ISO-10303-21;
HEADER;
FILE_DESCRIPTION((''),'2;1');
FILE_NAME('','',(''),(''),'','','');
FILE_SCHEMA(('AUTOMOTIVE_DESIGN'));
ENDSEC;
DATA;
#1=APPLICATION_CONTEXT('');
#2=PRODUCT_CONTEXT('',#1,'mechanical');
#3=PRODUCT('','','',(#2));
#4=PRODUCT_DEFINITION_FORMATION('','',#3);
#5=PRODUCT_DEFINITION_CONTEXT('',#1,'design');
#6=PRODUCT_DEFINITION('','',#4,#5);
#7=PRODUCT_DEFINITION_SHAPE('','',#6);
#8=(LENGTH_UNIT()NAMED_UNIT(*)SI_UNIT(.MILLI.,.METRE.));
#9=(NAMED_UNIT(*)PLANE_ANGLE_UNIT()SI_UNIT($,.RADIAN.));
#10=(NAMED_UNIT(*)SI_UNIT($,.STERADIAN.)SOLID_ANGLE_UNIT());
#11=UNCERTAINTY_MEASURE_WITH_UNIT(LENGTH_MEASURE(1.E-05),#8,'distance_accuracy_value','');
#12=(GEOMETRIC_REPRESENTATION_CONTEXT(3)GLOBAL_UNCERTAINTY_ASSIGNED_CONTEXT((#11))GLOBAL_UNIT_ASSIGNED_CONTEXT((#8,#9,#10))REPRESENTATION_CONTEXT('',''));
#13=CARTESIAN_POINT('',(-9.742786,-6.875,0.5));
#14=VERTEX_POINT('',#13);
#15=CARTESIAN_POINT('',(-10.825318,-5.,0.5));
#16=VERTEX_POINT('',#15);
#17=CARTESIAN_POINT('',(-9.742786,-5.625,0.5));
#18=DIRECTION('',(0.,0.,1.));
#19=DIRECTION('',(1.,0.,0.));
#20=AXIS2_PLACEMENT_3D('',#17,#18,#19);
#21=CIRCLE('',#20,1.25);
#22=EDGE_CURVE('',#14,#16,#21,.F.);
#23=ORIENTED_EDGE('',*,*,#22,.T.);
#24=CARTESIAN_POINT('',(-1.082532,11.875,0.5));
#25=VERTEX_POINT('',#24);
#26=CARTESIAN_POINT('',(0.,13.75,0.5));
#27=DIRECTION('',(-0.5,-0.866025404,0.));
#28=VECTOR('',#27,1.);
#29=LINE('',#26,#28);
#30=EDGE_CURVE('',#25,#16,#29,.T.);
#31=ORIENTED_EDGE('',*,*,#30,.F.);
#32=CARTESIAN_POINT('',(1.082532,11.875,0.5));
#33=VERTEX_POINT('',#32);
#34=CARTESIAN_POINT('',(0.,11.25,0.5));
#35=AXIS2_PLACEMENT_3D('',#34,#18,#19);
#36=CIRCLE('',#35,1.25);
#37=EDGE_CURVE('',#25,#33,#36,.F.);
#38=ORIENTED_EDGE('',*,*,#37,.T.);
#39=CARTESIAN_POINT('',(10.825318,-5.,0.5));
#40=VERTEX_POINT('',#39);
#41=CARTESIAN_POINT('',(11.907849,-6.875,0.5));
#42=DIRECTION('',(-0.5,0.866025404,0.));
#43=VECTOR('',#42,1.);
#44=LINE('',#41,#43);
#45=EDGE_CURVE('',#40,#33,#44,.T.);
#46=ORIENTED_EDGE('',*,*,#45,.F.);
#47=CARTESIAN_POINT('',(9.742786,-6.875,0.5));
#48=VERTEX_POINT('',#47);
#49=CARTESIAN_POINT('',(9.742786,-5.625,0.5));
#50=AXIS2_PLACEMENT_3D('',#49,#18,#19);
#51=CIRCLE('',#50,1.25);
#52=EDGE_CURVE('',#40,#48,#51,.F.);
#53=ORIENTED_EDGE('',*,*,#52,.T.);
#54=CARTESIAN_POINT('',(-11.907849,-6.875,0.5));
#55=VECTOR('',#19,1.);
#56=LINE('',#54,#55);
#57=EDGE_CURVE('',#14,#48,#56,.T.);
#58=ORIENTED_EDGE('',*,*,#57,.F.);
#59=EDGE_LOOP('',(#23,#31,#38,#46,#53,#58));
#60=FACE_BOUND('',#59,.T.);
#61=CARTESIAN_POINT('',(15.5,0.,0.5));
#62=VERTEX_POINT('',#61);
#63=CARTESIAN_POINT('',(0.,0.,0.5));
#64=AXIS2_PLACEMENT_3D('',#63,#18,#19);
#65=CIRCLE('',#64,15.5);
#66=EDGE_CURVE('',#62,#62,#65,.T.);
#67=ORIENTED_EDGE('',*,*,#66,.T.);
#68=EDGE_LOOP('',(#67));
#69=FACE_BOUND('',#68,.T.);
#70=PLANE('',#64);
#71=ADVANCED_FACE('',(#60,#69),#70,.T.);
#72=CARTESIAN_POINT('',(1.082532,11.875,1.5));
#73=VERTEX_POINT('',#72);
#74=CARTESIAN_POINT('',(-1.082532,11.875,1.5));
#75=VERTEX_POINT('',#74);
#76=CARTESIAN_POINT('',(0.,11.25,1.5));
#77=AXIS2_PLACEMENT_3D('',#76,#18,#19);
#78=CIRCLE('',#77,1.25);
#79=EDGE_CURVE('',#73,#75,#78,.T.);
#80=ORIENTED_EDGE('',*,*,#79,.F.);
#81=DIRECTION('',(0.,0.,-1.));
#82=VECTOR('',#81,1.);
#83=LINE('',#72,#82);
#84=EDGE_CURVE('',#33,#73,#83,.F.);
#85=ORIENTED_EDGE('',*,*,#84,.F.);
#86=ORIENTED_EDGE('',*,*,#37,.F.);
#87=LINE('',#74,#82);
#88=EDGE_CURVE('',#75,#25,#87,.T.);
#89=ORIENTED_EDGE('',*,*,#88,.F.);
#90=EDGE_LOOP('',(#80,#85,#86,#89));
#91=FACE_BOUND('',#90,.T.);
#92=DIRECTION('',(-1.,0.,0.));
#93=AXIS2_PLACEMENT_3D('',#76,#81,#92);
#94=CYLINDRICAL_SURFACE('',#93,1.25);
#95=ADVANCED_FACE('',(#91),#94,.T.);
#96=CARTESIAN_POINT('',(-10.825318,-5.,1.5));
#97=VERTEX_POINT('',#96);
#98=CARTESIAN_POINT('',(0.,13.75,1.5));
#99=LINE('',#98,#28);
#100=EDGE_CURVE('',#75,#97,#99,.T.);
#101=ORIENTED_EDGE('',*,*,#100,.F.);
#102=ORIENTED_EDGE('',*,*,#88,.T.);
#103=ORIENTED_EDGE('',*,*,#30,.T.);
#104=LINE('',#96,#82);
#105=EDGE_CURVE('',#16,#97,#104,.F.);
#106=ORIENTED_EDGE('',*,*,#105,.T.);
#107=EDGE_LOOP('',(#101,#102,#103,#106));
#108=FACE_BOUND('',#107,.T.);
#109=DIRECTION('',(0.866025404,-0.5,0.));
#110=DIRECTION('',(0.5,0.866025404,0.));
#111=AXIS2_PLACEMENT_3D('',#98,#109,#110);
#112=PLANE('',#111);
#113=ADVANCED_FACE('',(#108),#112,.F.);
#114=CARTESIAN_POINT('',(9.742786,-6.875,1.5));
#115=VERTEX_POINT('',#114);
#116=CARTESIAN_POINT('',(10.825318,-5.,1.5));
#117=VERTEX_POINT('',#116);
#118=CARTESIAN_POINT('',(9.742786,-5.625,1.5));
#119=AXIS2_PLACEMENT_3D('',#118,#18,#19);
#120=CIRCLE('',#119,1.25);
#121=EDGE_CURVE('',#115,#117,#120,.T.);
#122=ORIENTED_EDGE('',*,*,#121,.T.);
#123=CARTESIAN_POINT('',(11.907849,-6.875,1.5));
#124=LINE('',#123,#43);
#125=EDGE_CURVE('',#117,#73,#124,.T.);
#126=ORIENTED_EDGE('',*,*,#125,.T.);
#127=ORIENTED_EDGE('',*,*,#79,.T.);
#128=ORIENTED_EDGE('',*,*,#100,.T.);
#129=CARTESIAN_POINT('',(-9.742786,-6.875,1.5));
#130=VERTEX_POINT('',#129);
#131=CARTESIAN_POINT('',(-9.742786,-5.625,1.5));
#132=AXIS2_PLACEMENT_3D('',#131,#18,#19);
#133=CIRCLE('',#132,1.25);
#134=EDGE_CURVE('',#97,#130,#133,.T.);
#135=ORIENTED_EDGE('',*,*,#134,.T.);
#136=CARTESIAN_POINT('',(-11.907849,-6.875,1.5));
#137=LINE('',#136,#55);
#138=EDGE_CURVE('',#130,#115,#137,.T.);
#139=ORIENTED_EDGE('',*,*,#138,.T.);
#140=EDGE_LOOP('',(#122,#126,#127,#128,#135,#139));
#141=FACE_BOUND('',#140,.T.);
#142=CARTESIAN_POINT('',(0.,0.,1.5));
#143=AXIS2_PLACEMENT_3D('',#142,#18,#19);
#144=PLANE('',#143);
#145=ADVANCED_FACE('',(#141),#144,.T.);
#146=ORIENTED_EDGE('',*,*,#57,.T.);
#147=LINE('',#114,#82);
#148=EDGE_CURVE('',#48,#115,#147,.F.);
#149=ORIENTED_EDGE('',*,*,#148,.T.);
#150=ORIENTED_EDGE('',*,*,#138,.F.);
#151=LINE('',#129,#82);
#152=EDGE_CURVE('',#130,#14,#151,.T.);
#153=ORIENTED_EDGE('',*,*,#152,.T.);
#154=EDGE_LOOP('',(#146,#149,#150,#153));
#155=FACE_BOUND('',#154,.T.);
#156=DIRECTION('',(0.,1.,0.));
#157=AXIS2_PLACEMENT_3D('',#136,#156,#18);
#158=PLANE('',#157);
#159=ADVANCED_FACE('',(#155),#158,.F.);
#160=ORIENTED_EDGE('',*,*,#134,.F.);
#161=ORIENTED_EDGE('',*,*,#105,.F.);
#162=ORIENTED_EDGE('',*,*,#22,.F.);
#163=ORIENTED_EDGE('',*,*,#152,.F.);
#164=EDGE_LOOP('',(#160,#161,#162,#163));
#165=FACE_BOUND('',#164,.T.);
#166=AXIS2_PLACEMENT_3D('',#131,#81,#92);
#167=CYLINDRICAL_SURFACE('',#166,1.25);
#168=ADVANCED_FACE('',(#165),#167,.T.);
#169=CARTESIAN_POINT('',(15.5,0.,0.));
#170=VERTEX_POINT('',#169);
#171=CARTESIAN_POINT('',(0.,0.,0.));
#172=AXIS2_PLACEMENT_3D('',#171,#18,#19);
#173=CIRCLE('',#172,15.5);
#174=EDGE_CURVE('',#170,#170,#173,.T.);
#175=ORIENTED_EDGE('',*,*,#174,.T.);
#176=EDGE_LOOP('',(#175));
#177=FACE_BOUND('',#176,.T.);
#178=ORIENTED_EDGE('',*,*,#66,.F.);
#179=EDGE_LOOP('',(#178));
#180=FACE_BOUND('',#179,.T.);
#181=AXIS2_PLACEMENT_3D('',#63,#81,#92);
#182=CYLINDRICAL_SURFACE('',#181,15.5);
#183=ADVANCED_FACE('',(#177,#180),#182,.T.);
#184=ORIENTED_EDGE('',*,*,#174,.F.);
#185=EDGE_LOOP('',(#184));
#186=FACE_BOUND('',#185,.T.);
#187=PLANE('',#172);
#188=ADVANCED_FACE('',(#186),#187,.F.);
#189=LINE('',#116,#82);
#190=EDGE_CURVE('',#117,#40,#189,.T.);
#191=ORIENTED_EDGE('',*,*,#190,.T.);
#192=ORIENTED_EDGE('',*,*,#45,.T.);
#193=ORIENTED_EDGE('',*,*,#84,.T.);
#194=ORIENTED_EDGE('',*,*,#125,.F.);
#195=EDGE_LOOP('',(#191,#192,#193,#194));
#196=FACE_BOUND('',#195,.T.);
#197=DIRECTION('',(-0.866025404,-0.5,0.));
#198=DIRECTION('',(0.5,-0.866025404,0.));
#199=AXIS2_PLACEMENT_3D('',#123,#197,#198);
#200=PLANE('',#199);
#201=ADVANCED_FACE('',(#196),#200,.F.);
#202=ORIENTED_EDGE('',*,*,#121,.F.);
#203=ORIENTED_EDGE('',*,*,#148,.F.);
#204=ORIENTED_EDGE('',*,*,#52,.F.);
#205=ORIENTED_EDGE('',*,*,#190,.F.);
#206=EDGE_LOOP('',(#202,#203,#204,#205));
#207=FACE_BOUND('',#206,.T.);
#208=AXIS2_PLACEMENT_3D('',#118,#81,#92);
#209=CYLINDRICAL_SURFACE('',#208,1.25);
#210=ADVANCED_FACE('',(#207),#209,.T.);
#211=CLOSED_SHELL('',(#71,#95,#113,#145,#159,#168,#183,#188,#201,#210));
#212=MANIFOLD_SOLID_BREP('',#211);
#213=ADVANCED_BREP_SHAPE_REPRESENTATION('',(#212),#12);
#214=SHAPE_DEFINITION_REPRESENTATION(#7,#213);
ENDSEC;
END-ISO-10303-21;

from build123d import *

# Parameters (mm, degrees)
SKETCH1_R           = 15.5
BOSS_EXTRUDE1_DEPTH = 0.5
BOSS_EXTRUDE2_DEPTH = 1
FILLET1_R           = 1.25


with BuildPart() as part:
    # Sketch1 → Boss-Extrude1 (new body)
    with BuildSketch(Plane.XY):
        Circle(SKETCH1_R)
    extrude(amount=BOSS_EXTRUDE1_DEPTH)

    # Sketch2 → Boss-Extrude2 (add)
    with BuildSketch(Plane.XY.offset(0.5)):
        Polygon((-11.907849302, -6.875), (11.907849302, -6.875), (0, 13.75), align=None)
    extrude(amount=BOSS_EXTRUDE2_DEPTH)

    # Fillet1
    fillet1_edges = [part.edges().sort_by_distance(p)[0] for p in [
        (0, 13.75, 1),
        (-11.907849302, -6.875, 1),
        (11.907849302, -6.875, 1),
    ]]
    fillet(fillet1_edges, radius=FILLET1_R)


solid = part.part
